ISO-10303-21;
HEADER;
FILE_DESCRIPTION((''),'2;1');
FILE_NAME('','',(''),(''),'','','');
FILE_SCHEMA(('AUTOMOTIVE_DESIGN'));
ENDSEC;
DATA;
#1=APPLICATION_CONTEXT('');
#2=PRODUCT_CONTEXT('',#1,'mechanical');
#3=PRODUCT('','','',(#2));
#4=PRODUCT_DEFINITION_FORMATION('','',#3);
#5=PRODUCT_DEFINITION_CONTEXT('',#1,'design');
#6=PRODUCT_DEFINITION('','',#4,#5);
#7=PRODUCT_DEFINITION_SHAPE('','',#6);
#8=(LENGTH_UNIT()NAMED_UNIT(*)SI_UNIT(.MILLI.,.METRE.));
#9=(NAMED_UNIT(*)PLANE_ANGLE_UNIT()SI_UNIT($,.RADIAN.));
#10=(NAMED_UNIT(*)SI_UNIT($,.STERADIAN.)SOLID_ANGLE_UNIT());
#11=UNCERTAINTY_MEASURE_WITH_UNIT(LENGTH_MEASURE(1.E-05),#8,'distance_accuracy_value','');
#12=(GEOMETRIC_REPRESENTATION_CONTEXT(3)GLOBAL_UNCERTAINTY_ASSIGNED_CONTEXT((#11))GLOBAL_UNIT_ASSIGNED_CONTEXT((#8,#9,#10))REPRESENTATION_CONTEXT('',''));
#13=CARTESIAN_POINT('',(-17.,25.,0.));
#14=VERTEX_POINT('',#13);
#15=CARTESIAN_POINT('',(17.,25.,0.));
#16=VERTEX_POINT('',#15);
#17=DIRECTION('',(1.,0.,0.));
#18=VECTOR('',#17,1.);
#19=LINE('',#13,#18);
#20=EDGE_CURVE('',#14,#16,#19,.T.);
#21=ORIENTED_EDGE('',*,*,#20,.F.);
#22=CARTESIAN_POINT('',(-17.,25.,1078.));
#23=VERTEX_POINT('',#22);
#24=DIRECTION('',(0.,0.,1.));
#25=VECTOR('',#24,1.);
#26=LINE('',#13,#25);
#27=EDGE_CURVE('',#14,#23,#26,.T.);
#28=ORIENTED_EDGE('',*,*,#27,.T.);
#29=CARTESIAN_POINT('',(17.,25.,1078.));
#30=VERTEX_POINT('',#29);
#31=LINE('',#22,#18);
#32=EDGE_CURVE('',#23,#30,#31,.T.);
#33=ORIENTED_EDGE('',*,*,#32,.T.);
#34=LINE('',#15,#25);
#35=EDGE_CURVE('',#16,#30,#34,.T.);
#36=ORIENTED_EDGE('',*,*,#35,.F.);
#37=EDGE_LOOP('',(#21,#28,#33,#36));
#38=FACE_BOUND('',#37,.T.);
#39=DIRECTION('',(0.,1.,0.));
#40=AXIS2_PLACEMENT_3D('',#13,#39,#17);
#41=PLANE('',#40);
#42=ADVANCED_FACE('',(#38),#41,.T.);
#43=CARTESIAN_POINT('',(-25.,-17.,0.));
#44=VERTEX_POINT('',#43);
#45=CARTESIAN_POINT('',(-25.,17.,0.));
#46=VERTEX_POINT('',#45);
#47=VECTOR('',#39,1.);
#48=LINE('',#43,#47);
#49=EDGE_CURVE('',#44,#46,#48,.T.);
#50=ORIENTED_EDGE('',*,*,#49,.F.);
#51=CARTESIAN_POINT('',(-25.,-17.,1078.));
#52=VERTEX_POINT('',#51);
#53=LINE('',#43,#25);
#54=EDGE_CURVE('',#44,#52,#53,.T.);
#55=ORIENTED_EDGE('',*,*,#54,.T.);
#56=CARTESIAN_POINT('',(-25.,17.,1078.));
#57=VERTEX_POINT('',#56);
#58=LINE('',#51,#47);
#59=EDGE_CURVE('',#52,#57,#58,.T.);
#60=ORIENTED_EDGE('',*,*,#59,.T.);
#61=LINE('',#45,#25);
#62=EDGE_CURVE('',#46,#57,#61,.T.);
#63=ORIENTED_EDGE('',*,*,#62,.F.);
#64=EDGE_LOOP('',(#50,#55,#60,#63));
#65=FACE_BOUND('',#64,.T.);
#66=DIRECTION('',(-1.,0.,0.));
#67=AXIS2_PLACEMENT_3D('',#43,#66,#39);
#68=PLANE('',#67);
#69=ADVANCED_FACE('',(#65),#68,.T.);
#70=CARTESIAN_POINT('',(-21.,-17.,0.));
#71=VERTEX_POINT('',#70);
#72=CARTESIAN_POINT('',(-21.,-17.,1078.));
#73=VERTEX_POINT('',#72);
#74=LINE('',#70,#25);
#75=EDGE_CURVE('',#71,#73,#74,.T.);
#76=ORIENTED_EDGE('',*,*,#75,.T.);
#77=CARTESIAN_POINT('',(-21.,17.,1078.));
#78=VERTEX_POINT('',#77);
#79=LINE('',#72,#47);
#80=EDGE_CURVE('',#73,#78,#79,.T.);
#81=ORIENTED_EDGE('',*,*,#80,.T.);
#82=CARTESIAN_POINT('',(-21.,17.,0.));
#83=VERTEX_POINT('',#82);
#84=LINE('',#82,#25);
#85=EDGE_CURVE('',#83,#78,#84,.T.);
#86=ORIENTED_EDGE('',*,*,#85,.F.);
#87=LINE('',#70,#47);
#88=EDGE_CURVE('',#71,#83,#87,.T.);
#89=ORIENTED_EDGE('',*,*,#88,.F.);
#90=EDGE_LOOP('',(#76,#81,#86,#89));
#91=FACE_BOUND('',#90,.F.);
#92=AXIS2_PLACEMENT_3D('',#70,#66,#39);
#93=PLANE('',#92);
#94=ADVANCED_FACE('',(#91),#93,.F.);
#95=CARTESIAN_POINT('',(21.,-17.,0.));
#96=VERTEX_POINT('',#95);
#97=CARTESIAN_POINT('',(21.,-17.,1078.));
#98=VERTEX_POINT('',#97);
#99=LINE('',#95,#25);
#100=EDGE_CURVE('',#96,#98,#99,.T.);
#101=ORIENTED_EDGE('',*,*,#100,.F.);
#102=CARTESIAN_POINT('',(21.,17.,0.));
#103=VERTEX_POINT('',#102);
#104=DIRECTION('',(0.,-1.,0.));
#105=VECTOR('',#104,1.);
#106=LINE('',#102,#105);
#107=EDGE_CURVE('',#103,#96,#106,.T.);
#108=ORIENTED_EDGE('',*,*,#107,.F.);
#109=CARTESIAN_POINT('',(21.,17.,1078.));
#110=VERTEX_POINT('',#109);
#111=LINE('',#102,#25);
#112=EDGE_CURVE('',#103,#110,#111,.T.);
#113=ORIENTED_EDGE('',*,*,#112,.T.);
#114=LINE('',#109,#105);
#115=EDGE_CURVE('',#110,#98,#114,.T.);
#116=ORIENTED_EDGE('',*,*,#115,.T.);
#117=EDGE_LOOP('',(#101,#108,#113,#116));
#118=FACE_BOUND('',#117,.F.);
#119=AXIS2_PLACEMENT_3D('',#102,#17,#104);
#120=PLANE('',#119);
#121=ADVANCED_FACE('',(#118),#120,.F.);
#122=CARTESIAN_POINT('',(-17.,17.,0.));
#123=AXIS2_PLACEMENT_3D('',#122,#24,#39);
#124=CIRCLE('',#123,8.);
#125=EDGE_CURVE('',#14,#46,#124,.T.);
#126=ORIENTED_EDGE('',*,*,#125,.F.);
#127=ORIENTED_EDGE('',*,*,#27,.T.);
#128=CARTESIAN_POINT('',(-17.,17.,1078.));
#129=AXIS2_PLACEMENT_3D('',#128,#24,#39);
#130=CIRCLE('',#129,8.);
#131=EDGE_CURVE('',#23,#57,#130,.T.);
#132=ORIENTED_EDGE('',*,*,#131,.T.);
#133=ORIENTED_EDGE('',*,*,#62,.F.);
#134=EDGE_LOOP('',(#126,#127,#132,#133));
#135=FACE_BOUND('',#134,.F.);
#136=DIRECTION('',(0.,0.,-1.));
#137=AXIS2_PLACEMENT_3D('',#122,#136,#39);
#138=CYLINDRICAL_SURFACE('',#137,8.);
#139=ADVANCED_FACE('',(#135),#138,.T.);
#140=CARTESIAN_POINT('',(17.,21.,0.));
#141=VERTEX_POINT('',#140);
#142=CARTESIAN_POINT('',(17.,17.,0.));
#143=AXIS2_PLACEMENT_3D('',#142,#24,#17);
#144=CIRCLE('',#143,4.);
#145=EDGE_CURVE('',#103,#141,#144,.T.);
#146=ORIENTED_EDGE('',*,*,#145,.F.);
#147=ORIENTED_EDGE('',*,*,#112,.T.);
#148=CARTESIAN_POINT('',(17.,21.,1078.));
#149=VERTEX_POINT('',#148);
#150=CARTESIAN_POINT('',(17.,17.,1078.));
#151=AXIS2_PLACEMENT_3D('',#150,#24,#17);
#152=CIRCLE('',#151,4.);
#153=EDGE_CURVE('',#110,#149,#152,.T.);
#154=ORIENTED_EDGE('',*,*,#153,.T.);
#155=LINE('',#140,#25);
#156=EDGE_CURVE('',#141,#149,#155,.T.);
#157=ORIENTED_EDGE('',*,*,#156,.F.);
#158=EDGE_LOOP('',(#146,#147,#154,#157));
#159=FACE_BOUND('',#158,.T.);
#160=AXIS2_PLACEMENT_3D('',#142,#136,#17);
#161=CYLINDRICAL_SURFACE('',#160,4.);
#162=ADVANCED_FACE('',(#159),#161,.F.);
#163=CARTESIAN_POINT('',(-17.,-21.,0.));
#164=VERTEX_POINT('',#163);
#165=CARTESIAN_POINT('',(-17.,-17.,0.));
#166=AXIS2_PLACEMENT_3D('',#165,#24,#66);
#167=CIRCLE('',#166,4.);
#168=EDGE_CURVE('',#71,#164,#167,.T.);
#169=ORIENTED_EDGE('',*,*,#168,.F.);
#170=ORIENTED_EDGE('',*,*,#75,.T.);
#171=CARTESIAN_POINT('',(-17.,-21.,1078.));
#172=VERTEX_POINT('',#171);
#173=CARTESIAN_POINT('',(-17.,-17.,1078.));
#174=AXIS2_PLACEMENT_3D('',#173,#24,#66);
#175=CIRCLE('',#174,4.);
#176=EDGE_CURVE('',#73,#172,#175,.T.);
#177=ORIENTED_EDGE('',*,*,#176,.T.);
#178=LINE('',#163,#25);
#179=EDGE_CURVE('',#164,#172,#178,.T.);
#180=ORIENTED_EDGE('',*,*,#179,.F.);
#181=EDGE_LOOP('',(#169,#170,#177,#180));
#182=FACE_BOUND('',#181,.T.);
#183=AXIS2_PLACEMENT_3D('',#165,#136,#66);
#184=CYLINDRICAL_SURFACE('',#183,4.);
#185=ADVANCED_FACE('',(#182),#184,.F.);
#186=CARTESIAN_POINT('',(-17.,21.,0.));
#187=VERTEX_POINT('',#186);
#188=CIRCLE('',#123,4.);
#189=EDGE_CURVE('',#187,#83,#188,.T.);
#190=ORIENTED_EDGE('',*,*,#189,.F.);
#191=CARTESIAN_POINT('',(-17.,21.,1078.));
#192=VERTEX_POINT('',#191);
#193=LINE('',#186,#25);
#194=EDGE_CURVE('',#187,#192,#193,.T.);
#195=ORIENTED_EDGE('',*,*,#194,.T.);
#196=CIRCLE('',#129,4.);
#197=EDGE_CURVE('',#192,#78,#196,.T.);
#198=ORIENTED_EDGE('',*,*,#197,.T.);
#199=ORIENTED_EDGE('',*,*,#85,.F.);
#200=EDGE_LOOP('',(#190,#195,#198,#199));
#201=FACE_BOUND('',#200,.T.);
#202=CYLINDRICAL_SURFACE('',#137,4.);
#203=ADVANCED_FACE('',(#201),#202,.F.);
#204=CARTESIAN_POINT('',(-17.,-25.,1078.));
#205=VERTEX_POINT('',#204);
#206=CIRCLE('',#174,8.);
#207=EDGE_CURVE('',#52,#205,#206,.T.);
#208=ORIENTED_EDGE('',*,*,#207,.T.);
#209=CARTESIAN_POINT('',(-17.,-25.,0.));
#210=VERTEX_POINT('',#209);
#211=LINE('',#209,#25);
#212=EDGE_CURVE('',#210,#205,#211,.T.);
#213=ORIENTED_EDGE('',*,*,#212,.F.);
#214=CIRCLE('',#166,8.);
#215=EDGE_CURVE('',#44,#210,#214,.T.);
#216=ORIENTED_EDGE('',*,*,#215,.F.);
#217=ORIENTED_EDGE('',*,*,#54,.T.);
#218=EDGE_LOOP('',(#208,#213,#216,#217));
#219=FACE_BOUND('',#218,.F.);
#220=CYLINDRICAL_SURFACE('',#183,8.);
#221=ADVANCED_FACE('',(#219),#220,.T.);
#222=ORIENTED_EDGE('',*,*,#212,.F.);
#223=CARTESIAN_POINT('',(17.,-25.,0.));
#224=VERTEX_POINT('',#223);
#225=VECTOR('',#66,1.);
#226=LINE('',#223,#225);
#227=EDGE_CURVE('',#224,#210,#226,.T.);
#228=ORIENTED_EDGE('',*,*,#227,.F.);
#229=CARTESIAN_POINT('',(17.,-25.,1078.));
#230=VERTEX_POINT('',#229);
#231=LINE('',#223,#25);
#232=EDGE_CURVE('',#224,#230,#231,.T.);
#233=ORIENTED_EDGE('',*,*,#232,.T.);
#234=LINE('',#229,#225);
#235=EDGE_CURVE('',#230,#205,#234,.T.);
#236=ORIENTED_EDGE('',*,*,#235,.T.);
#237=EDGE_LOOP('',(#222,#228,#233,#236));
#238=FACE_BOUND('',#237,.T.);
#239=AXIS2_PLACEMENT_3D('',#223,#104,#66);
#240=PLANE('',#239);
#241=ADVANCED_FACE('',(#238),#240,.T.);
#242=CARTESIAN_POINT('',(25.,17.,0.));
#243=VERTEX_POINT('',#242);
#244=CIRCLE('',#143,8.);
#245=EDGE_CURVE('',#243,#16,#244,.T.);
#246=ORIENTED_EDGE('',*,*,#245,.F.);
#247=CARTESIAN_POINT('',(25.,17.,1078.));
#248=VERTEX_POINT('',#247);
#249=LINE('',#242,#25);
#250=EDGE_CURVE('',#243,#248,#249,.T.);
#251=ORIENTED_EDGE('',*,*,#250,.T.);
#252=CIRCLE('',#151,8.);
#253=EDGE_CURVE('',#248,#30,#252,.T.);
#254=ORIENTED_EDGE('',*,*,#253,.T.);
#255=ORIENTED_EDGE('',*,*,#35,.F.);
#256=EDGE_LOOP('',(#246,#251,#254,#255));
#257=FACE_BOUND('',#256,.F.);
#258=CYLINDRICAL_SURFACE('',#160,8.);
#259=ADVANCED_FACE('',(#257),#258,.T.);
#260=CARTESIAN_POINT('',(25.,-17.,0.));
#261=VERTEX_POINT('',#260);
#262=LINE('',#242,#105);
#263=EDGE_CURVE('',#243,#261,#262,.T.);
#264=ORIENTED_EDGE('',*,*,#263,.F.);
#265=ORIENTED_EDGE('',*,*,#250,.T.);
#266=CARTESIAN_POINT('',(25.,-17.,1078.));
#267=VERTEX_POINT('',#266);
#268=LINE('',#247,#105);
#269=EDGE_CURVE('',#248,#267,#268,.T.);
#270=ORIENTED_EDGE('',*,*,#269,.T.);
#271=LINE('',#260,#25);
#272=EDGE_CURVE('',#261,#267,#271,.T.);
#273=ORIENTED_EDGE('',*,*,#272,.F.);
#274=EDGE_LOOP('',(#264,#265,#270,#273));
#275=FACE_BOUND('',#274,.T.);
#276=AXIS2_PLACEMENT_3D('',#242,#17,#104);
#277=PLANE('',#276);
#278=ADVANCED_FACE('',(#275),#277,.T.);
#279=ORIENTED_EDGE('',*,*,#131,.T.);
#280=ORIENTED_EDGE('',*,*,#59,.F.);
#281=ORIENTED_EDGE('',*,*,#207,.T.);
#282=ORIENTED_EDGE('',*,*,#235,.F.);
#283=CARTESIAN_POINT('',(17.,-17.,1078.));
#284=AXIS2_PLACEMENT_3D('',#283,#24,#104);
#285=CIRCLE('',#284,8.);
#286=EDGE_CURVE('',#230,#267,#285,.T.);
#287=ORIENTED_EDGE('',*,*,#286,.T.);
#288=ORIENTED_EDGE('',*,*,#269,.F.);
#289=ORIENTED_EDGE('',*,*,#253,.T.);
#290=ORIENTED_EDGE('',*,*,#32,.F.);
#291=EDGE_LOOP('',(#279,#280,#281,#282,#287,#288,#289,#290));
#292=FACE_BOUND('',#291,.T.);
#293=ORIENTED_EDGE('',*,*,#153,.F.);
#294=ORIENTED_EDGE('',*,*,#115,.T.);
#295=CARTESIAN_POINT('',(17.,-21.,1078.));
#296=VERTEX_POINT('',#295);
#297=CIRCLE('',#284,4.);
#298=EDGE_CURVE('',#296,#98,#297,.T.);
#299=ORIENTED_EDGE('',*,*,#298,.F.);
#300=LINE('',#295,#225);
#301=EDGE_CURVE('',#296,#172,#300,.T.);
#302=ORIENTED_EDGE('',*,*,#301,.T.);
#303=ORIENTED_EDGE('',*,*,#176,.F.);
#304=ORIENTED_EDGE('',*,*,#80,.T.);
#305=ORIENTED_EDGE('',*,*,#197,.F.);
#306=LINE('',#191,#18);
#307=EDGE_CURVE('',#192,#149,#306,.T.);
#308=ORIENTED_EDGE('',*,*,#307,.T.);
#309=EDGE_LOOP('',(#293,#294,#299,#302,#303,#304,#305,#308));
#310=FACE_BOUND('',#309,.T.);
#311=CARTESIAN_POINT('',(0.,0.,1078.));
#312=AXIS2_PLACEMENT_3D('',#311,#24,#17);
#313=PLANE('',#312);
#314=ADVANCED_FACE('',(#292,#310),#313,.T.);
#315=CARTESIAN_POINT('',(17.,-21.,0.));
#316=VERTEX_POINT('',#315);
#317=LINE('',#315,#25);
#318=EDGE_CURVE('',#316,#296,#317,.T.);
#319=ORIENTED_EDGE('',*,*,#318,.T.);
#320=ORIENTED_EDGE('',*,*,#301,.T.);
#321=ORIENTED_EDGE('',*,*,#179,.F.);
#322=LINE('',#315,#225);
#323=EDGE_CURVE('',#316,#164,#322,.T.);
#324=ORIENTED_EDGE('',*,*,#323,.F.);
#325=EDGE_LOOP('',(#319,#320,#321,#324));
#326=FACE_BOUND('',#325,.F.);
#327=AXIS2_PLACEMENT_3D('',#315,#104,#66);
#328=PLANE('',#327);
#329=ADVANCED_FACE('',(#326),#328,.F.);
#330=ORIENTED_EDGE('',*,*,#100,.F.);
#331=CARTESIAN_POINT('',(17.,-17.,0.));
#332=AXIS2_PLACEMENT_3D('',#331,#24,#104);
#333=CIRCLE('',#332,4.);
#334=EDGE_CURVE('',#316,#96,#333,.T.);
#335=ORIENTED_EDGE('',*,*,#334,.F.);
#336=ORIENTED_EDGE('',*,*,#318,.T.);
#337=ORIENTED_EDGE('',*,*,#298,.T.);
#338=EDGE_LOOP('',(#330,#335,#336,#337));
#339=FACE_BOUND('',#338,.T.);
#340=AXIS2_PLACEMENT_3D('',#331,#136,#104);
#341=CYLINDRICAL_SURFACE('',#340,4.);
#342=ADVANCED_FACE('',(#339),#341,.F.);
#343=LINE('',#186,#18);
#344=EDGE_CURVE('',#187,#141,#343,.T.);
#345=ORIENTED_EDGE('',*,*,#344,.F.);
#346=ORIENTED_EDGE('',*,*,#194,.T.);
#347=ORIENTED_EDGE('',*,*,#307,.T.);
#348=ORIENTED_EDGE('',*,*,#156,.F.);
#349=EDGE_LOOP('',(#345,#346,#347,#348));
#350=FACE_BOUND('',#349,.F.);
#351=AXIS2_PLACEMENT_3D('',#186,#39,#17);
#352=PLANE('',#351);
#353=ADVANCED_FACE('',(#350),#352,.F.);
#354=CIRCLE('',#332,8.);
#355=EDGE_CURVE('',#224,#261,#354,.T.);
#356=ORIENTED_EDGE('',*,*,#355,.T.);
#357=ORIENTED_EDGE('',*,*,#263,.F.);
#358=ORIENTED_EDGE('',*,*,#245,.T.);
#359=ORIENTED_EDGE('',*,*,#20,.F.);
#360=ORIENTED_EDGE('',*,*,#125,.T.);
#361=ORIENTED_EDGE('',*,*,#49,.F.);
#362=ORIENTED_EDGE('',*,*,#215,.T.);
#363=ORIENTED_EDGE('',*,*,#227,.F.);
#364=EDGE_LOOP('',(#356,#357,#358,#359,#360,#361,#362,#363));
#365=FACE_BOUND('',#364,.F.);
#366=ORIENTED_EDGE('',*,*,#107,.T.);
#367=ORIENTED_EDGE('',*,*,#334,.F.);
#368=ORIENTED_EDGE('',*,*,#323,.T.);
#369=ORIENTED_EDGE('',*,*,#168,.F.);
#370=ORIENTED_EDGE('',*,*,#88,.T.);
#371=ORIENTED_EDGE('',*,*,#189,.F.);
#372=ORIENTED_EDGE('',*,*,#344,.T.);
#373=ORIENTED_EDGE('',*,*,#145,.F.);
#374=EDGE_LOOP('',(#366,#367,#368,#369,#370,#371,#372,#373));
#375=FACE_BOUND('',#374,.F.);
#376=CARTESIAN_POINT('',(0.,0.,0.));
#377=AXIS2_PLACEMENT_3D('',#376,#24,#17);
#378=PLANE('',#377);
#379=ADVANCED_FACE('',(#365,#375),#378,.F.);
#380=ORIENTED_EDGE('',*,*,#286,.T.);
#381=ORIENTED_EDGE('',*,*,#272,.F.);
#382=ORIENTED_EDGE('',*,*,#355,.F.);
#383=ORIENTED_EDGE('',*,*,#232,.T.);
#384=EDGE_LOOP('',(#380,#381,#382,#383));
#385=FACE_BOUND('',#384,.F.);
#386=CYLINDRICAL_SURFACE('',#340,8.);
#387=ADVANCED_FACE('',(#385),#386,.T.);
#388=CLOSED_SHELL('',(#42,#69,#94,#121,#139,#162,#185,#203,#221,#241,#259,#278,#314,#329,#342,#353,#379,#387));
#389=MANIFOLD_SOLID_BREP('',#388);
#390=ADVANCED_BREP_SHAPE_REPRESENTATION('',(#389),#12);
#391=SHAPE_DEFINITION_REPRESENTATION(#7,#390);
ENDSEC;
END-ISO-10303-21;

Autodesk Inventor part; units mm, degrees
ref_plane "YZ Plane" through (0, 0, 0) normal (1, 0, 0) x (0, 1, 0)
ref_plane "Start Plane" through (0, 0, 0) normal (0, 0, 1) x (1, 0, 0)
ref_plane "End Plane" through (0, 0, 1078) normal (0, 0, 1) x (1, 0, 0)
sketch "Sketch" plane through (0, 0, 0) normal (0, 0, 1) x (1, 0, 0)
  line L0 (-25, -17) -> (-25, 17)
  line L1 (-17, 25) -> (17, 25)
  line L2 (25, 17) -> (25, -17)
  line L3 (17, -25) -> (-17, -25)
  arc A0 (-25, -17) -> (-17, -25) centre (-17, -17) ccw
  arc A1 (25, 17) -> (17, 25) centre (17, 17) ccw
  arc A2 (-17, 25) -> (-25, 17) centre (-17, 17) ccw
  arc A3 (17, -25) -> (25, -17) centre (17, -17) ccw
  arc A4 (-17, 21) -> (-21, 17) centre (-17, 17) ccw
  line L4 (-17, 21) -> (17, 21)
  arc A5 (21, 17) -> (17, 21) centre (17, 17) ccw
  line L5 (21, 17) -> (21, -17)
  arc A6 (17, -21) -> (21, -17) centre (17, -17) ccw
  line L6 (17, -21) -> (-17, -21)
  arc A7 (-21, -17) -> (-17, -21) centre (-17, -17) ccw
  line L7 (-21, -17) -> (-21, 17)
  line L8 (0, 37.3196) -> (0, -37.3196) construction
  line L9 (-37.3196, 0) -> (37.3196, 0) construction
  dimension "d7" = 8
  dimension "d9" = 50
  dimension "d11" = 50
  dimension "d12" = 4
  dimension "d15" = 25
  dimension "d16" = 25
extrude "Body" add sketch "Sketch" along normal up to surface (1078 mm away) from surface at 0
sketch "Sketch3" plane through (0, 0, 0) normal (0, 0, 1) x (1, 0, 0)
  line L0 (0, 0) -> (10, 0)
ref_plane "Work Plane3" through (0, 0, 0) normal (0, -1, 0) x (1, 0, 0)
sketch "Sketch4" plane through (0, 0, 0) normal (0, -1, 0) x (1, 0, 0)
  line L0 (-2, 0) -> (12, 0) projected
  line L1 (-2, 1078) -> (12, 1078) projected
  dimension "d18" = 1078
equation "\"d7\" = G_IR"
equation "\"d9\" = G_W"
equation "\"d11\" = G_H"
equation "\"d12\" = G_T"
equation "\"d15\" = 0.5 * d9"
equation "\"d16\" = 0.5 * d11"
equation "\"d3\" = G_L"
equation "\"G_W\" = 50"
equation "\"G_H\" = 50"
equation "\"G_T\" = 4"
equation "\"G_IR\" = 8"
equation "\"G_L\" = d18"
equation "\"G_OFFSET_START\" = 0"
equation "\"G_OFFSET_END\" = 0"
equation "\"d14\" = G_OFFSET_END + B_L"
equation "\"B_L\" = 1078"
properties part number "ISO 4019 - 50x50x4 - 1078" material "Steel, Mild"
